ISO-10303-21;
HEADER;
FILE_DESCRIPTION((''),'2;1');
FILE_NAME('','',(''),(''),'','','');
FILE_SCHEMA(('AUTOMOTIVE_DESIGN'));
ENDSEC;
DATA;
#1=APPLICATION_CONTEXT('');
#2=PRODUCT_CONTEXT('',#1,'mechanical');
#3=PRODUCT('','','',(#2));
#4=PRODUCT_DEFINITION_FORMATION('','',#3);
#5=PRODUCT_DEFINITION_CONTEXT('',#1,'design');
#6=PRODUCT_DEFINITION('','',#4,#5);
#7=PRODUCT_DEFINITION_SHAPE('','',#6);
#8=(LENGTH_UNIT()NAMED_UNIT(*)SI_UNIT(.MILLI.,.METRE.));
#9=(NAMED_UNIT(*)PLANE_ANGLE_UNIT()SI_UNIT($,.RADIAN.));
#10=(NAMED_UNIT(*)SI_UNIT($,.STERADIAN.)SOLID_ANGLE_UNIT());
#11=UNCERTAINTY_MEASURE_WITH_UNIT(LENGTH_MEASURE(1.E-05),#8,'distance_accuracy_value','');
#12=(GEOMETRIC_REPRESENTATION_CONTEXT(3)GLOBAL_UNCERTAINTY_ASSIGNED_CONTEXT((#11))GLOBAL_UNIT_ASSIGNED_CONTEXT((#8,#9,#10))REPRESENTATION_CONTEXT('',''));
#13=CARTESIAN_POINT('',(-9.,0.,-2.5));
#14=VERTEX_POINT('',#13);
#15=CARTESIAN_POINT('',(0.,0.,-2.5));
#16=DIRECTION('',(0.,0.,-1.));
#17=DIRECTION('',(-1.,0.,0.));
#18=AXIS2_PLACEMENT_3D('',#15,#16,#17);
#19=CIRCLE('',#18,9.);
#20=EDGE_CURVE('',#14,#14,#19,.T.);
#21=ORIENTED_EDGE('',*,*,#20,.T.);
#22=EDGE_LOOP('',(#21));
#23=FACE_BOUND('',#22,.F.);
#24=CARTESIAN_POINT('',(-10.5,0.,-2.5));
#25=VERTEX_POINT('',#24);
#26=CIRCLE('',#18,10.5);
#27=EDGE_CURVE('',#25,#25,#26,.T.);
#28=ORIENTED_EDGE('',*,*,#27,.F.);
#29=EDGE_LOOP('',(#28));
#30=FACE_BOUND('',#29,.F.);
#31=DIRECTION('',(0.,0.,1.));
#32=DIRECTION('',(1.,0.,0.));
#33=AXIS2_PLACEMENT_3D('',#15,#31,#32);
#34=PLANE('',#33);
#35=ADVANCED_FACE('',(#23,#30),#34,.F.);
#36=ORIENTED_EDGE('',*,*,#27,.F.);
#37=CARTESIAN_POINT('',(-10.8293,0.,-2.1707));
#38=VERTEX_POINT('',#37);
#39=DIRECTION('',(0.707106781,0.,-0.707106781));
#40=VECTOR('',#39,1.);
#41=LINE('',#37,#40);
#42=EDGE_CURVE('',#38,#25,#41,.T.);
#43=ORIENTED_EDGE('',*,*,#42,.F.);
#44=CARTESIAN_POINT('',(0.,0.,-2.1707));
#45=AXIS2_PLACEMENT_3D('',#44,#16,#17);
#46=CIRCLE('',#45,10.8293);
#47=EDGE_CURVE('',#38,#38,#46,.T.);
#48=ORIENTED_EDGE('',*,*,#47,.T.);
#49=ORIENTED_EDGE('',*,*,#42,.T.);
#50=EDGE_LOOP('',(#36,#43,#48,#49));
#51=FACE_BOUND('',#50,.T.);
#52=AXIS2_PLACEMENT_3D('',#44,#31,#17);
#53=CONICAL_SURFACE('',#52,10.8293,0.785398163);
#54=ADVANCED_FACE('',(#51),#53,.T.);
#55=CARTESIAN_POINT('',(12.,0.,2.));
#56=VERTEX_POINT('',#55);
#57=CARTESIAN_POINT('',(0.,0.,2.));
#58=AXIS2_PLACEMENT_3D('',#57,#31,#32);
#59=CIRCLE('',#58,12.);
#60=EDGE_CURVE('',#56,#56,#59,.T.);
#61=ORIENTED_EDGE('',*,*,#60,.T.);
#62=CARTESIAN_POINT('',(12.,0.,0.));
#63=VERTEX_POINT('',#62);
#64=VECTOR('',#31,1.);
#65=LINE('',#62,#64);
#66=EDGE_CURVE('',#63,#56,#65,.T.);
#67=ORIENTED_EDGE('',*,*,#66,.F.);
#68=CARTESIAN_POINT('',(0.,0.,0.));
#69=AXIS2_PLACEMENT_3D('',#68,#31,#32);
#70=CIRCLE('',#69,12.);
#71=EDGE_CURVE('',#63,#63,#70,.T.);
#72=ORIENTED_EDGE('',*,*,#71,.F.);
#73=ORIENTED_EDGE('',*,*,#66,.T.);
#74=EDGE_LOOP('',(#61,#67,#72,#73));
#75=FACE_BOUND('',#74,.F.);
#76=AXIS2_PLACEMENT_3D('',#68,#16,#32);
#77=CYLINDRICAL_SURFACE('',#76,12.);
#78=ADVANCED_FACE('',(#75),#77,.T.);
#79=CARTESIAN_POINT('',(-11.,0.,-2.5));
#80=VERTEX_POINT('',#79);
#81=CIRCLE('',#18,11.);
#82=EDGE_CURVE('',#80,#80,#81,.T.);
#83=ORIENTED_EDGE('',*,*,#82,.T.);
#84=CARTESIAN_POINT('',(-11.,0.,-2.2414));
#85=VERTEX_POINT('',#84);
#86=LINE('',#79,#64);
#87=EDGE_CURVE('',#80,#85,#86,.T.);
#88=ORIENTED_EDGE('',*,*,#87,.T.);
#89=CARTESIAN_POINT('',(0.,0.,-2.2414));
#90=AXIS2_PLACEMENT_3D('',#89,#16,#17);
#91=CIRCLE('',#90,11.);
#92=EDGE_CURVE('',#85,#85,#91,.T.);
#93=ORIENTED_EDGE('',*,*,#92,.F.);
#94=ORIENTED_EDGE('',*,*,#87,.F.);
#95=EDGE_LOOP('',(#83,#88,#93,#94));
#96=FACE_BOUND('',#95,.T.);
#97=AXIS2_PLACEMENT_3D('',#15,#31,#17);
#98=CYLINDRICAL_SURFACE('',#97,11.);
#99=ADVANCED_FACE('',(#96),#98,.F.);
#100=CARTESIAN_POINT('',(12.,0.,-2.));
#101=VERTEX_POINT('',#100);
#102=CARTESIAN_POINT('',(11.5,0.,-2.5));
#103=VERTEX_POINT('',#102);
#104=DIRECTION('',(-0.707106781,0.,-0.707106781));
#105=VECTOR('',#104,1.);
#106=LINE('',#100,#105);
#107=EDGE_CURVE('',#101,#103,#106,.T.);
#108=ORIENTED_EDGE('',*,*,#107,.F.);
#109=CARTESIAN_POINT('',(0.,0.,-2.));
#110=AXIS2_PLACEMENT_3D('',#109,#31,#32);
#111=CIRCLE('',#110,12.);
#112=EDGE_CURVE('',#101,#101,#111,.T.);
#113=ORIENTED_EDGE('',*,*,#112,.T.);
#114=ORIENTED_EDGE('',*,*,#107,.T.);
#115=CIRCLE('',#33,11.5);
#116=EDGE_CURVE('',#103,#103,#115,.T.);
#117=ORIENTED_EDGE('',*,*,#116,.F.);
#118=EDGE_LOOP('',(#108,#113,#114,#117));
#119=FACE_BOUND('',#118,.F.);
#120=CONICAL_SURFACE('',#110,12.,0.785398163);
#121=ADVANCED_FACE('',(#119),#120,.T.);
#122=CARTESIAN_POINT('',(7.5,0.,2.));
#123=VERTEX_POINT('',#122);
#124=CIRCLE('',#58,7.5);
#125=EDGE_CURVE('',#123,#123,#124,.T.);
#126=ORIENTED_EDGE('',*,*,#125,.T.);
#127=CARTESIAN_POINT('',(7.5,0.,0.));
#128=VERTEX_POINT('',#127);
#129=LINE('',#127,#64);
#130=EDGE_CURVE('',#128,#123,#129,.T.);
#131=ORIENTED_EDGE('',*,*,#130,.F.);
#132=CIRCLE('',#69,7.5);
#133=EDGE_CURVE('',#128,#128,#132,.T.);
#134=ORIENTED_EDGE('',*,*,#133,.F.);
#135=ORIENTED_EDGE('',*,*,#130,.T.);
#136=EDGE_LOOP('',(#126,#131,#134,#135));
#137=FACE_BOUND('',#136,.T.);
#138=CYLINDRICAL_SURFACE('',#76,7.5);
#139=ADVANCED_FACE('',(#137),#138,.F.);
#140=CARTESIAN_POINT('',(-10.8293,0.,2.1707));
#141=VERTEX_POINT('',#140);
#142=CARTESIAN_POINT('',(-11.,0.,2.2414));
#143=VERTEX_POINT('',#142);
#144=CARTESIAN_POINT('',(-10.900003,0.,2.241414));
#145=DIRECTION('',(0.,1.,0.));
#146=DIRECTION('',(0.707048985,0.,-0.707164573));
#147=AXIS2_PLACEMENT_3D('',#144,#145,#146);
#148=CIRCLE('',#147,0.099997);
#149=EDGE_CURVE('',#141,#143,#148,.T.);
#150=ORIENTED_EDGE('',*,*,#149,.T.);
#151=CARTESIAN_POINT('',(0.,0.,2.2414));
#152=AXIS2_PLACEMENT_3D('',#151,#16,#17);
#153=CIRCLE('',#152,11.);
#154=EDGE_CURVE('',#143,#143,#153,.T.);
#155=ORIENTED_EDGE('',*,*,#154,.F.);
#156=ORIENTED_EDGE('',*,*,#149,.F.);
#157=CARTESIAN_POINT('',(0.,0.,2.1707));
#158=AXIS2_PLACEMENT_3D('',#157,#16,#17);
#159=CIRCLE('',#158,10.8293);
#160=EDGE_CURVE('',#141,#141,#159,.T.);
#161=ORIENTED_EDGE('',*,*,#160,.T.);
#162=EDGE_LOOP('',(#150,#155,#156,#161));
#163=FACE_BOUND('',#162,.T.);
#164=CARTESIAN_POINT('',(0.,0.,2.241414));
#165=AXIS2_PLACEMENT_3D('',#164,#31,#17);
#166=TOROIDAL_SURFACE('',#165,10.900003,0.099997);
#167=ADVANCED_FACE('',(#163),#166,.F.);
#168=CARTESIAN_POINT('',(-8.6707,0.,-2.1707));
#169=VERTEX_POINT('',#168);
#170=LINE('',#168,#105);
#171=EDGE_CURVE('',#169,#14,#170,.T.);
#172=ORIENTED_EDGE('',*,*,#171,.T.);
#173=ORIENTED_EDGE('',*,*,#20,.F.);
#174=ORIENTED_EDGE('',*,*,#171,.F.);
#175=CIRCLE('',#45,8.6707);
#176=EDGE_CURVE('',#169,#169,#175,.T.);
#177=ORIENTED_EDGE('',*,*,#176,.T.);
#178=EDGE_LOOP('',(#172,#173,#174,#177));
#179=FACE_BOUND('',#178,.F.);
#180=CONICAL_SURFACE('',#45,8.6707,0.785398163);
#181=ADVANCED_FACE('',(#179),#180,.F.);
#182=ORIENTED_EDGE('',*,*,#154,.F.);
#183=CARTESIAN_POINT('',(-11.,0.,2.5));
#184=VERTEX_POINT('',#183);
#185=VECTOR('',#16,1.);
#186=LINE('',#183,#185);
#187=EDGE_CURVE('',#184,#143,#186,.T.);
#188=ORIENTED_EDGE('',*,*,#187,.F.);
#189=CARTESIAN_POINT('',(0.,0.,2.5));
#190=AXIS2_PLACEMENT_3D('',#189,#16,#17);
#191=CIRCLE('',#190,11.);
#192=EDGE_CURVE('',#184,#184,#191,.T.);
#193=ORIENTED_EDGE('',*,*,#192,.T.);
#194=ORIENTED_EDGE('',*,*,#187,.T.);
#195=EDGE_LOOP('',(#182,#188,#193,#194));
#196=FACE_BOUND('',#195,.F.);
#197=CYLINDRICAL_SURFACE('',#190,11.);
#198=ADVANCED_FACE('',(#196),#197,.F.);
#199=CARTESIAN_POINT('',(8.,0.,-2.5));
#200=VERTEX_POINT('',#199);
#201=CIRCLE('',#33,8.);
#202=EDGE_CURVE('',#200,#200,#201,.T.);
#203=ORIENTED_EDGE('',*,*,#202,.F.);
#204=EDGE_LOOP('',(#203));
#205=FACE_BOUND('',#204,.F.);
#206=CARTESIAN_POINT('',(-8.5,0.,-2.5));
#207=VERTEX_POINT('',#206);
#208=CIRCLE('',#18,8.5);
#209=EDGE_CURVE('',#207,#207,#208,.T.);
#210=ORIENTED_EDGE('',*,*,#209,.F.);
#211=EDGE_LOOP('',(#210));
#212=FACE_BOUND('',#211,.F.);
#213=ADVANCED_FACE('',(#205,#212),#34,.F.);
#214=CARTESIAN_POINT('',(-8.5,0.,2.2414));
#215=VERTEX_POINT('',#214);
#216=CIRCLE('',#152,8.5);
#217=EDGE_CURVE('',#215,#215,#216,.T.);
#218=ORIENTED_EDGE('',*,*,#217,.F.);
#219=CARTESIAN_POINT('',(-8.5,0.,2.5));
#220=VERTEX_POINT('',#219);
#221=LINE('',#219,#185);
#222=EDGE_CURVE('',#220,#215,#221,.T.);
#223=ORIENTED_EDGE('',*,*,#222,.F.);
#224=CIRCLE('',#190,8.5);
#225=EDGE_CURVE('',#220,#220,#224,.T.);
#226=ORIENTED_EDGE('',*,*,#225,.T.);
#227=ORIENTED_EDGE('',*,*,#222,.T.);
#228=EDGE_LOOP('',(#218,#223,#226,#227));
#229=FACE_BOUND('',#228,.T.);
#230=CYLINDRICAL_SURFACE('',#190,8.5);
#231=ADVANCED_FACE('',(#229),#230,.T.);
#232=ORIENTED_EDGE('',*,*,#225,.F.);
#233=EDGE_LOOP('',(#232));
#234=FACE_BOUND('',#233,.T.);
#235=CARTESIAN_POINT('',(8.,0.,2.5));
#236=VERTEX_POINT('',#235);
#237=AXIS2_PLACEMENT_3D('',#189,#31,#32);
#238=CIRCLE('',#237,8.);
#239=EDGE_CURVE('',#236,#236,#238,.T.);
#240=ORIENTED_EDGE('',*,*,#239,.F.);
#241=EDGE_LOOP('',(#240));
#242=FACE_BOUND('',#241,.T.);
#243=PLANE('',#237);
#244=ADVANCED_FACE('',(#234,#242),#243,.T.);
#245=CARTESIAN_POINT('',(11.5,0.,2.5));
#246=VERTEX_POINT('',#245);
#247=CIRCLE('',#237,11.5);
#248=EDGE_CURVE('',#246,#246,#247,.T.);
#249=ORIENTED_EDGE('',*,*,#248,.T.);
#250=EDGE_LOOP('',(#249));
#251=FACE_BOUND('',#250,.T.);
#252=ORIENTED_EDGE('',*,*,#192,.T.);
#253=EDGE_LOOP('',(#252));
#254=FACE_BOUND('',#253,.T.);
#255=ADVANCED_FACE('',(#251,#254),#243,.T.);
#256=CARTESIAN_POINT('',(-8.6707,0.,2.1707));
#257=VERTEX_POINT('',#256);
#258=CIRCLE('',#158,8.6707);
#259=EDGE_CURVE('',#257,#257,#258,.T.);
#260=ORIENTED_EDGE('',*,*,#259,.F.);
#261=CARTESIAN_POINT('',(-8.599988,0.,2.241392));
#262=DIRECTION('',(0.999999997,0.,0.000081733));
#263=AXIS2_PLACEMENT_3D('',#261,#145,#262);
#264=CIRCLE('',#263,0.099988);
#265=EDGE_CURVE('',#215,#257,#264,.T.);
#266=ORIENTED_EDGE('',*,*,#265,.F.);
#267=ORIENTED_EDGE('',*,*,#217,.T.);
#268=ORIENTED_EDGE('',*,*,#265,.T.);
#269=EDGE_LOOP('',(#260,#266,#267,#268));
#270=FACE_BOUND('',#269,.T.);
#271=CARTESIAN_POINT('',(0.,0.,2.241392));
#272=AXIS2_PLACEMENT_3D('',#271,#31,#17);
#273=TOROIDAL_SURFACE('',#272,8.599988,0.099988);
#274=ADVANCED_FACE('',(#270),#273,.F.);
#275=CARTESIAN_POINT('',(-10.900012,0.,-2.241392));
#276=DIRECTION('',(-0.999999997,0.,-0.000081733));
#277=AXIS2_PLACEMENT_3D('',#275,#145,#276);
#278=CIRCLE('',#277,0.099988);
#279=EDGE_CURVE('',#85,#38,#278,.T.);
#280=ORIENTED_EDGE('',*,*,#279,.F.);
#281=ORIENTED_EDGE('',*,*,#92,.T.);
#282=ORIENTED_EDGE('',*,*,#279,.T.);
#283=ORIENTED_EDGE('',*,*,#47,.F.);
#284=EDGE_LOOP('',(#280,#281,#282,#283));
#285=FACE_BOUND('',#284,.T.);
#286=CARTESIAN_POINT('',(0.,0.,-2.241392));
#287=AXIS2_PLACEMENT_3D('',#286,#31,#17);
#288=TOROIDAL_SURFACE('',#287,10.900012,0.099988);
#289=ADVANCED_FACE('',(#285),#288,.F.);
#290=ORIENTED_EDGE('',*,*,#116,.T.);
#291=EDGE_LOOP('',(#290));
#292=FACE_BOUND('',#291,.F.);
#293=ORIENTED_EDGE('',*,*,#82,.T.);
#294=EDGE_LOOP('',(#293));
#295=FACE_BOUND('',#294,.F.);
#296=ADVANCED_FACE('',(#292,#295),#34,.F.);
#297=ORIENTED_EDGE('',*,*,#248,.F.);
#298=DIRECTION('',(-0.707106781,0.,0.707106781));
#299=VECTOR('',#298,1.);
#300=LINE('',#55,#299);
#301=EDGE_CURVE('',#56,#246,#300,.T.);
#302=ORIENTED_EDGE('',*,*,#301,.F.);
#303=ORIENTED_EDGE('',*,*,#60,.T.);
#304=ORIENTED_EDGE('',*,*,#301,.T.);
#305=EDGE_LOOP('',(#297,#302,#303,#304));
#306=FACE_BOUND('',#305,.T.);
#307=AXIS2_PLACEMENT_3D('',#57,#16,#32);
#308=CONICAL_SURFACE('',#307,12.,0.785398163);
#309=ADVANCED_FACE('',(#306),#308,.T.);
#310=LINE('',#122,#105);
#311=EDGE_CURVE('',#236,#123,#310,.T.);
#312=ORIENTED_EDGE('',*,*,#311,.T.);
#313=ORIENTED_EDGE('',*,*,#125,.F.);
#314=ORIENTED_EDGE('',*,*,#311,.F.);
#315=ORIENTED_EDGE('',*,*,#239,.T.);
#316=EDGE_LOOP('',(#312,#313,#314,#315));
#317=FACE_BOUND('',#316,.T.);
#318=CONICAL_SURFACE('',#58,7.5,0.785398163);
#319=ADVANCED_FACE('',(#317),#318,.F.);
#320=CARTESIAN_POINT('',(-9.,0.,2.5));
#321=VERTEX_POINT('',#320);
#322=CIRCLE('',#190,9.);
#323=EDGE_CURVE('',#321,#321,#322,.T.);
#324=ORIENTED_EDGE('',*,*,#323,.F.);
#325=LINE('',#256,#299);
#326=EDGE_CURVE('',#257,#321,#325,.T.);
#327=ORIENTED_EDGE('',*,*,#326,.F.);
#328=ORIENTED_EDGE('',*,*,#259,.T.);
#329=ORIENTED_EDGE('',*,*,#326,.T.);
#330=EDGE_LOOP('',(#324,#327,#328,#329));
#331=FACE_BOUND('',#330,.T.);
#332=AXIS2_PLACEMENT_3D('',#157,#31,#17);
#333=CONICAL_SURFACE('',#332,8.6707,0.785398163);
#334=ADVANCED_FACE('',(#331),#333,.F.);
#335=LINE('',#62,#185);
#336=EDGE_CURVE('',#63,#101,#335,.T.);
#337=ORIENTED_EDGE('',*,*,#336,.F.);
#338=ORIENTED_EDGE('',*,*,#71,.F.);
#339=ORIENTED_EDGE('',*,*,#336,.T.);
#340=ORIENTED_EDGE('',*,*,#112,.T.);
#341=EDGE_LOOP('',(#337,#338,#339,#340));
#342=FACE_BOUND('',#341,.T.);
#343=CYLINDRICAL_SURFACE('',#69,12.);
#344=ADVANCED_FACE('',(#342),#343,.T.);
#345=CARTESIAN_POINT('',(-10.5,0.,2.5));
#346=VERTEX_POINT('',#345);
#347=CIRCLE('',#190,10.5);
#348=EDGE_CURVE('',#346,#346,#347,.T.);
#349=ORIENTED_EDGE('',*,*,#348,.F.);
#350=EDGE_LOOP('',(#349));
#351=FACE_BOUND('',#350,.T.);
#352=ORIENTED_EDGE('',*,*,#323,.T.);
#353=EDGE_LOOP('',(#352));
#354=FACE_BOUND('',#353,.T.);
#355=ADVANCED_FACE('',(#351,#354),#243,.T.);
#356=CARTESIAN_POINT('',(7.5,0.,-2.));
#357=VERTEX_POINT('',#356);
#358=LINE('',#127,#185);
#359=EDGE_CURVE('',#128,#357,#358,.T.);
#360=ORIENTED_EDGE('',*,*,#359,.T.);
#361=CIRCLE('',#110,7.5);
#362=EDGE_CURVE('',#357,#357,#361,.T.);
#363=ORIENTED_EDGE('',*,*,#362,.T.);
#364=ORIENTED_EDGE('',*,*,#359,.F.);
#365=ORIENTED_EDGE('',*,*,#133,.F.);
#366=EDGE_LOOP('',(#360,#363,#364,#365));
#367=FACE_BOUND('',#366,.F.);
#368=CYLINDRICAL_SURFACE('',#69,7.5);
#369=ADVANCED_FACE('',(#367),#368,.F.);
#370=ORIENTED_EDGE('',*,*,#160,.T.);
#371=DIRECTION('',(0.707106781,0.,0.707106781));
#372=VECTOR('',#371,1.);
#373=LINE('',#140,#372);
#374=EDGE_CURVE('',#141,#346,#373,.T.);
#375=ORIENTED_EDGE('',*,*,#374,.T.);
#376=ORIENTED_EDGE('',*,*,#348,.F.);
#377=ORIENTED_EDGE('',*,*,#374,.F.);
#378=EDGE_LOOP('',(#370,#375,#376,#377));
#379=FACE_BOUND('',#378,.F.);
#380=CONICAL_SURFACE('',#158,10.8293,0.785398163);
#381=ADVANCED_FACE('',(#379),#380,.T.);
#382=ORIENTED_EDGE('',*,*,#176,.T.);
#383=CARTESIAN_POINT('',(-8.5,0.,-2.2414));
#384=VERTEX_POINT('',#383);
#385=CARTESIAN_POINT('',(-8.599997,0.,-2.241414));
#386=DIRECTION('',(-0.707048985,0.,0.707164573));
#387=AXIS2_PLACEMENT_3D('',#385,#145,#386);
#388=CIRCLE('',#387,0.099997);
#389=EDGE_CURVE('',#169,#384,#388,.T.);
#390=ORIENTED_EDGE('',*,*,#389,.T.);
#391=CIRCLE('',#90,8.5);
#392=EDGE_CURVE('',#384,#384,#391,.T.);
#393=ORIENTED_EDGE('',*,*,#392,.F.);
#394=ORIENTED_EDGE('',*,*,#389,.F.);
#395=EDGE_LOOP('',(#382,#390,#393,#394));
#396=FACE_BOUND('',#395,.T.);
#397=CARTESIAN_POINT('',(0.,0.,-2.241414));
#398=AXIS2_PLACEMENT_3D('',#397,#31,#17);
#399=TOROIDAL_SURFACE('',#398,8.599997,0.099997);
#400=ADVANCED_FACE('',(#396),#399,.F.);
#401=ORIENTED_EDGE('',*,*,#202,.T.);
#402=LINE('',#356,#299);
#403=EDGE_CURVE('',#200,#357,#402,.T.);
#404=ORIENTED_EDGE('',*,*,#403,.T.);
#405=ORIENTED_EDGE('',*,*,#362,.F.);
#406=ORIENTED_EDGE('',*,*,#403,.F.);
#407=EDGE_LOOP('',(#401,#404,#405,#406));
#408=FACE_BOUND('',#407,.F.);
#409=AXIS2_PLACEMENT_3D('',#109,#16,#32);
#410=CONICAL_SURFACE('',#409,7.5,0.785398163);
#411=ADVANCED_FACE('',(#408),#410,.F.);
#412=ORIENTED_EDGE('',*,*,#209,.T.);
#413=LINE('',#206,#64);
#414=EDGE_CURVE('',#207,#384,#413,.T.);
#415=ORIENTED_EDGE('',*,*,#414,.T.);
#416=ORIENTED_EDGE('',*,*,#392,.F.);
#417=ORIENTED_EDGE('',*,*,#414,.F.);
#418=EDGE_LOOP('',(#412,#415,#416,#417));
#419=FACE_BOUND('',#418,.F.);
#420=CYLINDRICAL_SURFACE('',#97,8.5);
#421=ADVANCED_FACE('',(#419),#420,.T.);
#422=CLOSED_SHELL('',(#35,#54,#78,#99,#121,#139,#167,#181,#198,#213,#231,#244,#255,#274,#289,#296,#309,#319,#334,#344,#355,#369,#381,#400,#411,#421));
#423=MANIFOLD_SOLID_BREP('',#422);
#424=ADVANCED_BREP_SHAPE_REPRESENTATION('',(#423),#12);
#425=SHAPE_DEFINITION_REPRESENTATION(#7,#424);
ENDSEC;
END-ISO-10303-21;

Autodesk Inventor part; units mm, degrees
ref_plane "YZ Plane" through (0, 0, 0) normal (1, 0, 0) x (0, 1, 0)
ref_plane "XZ Plane" through (0, 0, 0) normal (0, 1, 0) x (-1, 0, 0)
ref_plane "XY Plane" through (0, 0, 0) normal (0, 0, 1) x (1, 0, 0)
sketch "스케치1" plane through (0, 0, 0) normal (0, 0, 1) x (1, 0, 0)
  circle A0 centre (0, 0) radius 7.5
  circle A1 centre (0, 0) radius 12
  dimension "d0" = 15
  dimension "d1" = 24
extrude "돌출1" add sketch "스케치1" along normal mid plane 5
chamfer "모따기1" distance 0.5 angle 45 4 edges at (-12, 0, 2.5) (-12, 0, -2.5) (-7.5, 0, 2.5) (-7.5, 0, -2.5)
sketch "스케치2" plane through (0, 0, 0) normal (0, 1, 0) x (-1, 0, 0)
  line L0 (-11.5, 2.5) -> (11.5, 2.5) projected
  line L1 (11, 2.5) -> (11, 2.2414)
  line L2 (10.8293, 2.1707) -> (10.5, 2.5)
  line L3 (12, 0) -> (7.5, 0)
  line L4 (7.5, 2) -> (7.5, -2) projected
  arc A0 (10.8293, 2.1707) -> (11, 2.2414) centre (10.9, 2.2414) ccw
  line L5 (9.75, 0) -> (9.75, 1.7292)
  line L6 (8.5, 2.5) -> (8.5, 2.2414)
  line L7 (8.6707, 2.1707) -> (9, 2.5)
  arc A1 (8.5, 2.2414) -> (8.6707, 2.1707) centre (8.6, 2.2414) ccw
  line L8 (11, -2.5) -> (11, -2.2414)
  line L9 (10.8293, -2.1707) -> (10.5, -2.5)
  arc A2 (11, -2.2414) -> (10.8293, -2.1707) centre (10.9, -2.2414) ccw
  line L10 (8.5, -2.5) -> (8.5, -2.2414)
  line L11 (8.6707, -2.1707) -> (9, -2.5)
  arc A3 (8.6707, -2.1707) -> (8.5, -2.2414) centre (8.6, -2.2414) ccw
  line L12 (0, 0) -> (0, -13.1586)
  line L13 (11.5, -2.5) -> (-11.5, -2.5) projected
  line L14 (12, -2) -> (12, 2) projected
  point P0 (11, 2)
  point P1 (8, 2.5)
  point P2 (8.5, 2)
  point P3 (11, -2)
  point P4 (8, -2.5)
  point P5 (8.5, -2)
  dimension "d7" = 0.5
  dimension "d8" = 0.5
  dimension "d9" = 0.5
  dimension "d10" = 0.1
revolve "회전1" cut sketch "스케치2" angle 360 about axis through (0, 0, 0) along (0, 0, -1)
properties part number "6203베어링"
